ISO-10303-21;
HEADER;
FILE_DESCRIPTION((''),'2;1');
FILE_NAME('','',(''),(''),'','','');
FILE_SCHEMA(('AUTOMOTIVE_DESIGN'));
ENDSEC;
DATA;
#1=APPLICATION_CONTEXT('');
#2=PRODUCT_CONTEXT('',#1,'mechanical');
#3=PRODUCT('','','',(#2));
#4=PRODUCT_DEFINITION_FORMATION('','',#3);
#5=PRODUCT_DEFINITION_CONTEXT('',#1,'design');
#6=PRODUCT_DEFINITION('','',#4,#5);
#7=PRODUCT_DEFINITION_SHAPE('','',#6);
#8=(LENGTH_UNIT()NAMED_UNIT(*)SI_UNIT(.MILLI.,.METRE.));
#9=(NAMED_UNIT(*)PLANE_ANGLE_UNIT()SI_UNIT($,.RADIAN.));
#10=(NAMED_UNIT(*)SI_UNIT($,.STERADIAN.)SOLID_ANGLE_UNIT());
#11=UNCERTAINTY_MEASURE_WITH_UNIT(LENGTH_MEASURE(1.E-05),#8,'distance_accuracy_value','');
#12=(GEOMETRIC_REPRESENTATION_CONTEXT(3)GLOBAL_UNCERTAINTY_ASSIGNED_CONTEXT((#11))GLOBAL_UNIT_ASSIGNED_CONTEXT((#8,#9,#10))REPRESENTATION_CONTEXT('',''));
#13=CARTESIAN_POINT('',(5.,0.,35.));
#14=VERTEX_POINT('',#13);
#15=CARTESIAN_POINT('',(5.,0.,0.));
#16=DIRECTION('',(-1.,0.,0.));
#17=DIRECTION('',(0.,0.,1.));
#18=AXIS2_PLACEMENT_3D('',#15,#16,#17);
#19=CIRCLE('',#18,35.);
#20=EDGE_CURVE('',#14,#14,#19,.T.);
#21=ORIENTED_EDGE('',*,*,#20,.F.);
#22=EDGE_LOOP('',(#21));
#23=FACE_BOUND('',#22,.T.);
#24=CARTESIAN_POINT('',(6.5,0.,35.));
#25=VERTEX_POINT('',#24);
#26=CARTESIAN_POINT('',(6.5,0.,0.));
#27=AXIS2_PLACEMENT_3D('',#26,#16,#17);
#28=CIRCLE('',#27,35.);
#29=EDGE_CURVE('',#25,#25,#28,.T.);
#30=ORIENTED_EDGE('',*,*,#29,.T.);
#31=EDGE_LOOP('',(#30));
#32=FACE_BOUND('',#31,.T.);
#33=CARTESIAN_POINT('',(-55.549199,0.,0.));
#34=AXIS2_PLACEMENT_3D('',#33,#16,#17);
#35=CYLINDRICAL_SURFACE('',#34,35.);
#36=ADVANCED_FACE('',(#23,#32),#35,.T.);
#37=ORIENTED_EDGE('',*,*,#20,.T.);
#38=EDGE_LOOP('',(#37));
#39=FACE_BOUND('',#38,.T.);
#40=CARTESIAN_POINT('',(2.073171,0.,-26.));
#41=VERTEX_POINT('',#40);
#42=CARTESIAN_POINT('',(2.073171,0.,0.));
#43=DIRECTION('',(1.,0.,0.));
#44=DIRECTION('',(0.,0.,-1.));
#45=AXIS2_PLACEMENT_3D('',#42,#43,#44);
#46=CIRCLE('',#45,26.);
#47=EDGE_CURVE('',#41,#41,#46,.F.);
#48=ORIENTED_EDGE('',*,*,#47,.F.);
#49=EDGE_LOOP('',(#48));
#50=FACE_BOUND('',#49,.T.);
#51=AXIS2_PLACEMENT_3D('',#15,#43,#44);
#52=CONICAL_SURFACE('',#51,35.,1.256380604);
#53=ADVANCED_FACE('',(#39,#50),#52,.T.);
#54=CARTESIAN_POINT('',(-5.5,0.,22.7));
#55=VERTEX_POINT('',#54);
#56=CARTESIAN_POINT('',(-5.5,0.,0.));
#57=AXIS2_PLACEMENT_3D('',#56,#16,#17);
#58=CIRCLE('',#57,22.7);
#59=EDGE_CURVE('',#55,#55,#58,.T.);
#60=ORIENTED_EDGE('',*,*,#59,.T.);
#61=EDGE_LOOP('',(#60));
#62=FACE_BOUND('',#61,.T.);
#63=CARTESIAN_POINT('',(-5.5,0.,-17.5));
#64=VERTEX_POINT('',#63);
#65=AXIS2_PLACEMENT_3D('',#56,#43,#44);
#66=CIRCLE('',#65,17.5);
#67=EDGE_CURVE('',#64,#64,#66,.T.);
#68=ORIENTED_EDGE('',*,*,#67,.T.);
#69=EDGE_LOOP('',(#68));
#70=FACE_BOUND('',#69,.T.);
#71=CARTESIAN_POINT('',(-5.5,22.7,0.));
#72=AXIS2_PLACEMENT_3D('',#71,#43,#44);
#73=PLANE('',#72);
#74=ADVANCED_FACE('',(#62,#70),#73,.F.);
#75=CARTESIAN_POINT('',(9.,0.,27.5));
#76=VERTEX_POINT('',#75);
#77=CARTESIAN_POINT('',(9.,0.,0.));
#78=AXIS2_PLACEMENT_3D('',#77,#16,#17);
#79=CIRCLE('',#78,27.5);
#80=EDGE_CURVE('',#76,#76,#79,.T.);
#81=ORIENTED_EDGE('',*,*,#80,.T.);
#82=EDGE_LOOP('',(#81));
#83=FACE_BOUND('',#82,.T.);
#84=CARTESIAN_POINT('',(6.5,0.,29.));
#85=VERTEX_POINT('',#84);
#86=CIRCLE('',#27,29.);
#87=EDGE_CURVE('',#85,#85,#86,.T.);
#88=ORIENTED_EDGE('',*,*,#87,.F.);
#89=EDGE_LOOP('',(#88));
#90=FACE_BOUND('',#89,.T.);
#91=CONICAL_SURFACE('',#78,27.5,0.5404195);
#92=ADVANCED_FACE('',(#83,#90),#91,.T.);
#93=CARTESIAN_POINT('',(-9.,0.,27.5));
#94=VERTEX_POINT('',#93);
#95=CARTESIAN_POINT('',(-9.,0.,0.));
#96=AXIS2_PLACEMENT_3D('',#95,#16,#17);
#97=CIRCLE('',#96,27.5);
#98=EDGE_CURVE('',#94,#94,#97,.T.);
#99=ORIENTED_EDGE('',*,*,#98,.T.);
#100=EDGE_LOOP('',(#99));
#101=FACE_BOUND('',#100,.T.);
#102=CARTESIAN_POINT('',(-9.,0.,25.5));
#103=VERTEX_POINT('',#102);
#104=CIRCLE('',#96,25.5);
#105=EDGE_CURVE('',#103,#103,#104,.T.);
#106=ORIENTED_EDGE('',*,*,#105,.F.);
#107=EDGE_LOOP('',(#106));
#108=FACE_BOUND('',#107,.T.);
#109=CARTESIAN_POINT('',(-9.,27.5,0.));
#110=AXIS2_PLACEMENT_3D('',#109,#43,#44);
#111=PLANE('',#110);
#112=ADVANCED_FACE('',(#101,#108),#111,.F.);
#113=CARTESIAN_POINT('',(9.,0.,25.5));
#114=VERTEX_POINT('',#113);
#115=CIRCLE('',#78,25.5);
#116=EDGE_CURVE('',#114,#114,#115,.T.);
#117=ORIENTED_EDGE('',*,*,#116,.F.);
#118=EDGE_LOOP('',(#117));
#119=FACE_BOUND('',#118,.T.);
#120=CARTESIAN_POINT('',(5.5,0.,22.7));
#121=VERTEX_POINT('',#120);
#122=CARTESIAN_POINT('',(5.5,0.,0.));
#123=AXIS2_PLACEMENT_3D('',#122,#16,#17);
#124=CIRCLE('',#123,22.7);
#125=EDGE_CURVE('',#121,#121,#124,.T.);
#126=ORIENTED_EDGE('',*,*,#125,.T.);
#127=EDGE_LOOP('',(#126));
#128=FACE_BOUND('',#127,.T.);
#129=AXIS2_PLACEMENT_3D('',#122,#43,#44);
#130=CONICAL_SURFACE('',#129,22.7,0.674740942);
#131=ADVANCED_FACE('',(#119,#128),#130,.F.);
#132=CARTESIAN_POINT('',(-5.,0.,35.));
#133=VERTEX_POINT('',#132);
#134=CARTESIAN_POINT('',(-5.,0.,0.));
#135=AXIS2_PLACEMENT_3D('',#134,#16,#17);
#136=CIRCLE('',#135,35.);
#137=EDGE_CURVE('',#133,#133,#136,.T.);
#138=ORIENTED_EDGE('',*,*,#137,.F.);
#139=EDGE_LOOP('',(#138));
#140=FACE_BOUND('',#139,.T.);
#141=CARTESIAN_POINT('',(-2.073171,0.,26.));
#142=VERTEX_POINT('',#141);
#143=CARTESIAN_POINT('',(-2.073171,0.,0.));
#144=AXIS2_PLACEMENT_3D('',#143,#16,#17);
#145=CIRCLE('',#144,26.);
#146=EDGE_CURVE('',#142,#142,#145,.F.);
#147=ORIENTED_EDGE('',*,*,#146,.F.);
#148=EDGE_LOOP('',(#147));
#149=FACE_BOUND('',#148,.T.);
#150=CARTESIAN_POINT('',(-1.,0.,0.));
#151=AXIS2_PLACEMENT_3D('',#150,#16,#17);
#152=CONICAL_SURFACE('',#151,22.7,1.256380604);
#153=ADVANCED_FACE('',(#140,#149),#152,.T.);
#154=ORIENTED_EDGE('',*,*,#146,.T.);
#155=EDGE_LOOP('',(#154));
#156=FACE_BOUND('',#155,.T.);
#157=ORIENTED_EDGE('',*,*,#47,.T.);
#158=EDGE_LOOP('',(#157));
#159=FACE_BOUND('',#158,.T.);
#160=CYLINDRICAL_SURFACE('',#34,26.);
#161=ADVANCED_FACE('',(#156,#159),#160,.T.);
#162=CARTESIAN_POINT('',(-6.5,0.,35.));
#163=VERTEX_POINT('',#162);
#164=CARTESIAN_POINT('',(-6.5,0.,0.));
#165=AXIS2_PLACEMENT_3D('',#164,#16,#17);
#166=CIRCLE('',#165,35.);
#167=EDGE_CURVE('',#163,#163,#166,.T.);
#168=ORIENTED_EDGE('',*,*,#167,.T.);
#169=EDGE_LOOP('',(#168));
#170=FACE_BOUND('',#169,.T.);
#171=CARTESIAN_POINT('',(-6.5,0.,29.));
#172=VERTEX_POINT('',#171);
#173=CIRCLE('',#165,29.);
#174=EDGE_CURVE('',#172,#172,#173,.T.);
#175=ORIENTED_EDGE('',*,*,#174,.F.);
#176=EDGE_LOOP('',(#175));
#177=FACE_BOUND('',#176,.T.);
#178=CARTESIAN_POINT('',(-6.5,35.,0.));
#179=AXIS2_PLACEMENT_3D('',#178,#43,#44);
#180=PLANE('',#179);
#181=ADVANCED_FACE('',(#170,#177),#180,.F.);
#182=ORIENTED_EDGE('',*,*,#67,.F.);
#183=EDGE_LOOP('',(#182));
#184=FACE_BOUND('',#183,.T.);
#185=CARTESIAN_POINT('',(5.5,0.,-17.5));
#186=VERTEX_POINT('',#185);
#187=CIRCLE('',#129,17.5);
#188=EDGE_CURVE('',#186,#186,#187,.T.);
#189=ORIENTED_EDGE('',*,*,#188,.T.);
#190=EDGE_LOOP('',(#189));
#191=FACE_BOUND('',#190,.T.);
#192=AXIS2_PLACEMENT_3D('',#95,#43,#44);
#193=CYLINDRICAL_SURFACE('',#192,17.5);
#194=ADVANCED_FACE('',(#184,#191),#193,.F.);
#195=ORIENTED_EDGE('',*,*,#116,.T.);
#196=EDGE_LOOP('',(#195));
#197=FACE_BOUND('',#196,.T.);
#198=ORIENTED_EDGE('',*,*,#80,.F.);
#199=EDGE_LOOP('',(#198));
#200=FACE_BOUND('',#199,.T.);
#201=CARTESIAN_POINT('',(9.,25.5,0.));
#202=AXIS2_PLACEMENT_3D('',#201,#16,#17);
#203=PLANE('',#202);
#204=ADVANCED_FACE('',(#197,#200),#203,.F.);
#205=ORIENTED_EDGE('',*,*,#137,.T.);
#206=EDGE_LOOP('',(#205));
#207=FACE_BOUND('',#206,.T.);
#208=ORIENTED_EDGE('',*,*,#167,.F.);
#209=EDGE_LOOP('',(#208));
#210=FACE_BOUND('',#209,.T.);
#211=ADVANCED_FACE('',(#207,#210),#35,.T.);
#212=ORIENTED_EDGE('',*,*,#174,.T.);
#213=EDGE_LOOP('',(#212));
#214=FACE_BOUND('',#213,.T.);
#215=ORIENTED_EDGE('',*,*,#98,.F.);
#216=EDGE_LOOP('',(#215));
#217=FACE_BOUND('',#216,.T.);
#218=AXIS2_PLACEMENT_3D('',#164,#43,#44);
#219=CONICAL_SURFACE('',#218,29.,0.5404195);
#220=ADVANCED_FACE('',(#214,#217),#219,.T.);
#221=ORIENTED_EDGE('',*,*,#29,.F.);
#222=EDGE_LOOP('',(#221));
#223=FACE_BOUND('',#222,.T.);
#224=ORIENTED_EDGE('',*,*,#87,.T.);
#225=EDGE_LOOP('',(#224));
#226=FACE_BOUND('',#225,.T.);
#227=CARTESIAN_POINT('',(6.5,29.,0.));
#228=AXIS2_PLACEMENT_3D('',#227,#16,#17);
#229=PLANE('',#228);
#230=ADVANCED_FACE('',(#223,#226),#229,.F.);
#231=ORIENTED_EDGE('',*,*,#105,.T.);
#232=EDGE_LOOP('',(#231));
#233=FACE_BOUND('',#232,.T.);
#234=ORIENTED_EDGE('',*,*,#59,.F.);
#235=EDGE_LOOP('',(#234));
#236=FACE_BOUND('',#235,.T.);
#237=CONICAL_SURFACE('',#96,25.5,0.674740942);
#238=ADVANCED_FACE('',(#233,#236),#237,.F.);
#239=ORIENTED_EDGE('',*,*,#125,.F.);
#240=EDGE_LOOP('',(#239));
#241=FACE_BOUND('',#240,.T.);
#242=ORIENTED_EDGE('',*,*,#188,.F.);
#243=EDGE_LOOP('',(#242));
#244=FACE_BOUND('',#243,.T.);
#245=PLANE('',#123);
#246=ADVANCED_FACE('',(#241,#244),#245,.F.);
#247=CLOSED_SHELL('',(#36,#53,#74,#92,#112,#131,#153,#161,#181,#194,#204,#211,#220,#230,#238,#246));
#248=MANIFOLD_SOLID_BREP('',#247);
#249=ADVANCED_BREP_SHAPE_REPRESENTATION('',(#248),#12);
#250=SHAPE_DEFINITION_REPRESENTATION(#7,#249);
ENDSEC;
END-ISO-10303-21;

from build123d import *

# Parameters (mm, degrees)
SKETCH_2_R          = 17.5
CUT_EXTRUDE_1_DEPTH = 52.577611422
SKETCH_4_W          = 5.67471706
SKETCH_4_H          = 4.873840026


with BuildPart() as part:
    # Эскиз1 → Повернуть1 (revolve)
    with BuildSketch(Plane.XY, mode=Mode.PRIVATE) as revolve_1_sk:
        Polygon((5.5, 0), (5.5, 22.7), (9, 25.5), (9, 27.5), (6.5, 29), (6.5, 35), (5, 35), (1, 22.7), (-1, 22.7), (-5, 35), (-6.5, 35), (-6.5, 29), (-9, 27.5), (-9, 25.5), (-5.5, 22.7), (-5.5, 0), align=None)
    revolve(revolve_1_sk.sketch.rotate(Axis((-55.549199464, 0, 0), (1, 0, 0)), 90), axis=Axis((-55.549199464, 0, 0), (1, 0, 0)))

    # Эскиз2 → Вырез-Вытянуть1 (cut, through all)
    with BuildSketch(Plane(origin=(5.5, 0, 0), x_dir=(0, 0, -1), z_dir=(1, 0, 0))):
        Circle(SKETCH_2_R)
    extrude(amount=-CUT_EXTRUDE_1_DEPTH, mode=Mode.SUBTRACT)

    # Эскиз4 → Повернуть2 (revolve)
    with BuildSketch(Plane.XY, mode=Mode.PRIVATE) as revolve_2_sk:
        with Locations((0, 23.563079987)):
            Rectangle(SKETCH_4_W, SKETCH_4_H)
    revolve(revolve_2_sk.sketch.rotate(Axis((-55.549199464, 0, 0), (1, 0, 0)), 90), axis=Axis((-55.549199464, 0, 0), (1, 0, 0)))


solid = part.part
